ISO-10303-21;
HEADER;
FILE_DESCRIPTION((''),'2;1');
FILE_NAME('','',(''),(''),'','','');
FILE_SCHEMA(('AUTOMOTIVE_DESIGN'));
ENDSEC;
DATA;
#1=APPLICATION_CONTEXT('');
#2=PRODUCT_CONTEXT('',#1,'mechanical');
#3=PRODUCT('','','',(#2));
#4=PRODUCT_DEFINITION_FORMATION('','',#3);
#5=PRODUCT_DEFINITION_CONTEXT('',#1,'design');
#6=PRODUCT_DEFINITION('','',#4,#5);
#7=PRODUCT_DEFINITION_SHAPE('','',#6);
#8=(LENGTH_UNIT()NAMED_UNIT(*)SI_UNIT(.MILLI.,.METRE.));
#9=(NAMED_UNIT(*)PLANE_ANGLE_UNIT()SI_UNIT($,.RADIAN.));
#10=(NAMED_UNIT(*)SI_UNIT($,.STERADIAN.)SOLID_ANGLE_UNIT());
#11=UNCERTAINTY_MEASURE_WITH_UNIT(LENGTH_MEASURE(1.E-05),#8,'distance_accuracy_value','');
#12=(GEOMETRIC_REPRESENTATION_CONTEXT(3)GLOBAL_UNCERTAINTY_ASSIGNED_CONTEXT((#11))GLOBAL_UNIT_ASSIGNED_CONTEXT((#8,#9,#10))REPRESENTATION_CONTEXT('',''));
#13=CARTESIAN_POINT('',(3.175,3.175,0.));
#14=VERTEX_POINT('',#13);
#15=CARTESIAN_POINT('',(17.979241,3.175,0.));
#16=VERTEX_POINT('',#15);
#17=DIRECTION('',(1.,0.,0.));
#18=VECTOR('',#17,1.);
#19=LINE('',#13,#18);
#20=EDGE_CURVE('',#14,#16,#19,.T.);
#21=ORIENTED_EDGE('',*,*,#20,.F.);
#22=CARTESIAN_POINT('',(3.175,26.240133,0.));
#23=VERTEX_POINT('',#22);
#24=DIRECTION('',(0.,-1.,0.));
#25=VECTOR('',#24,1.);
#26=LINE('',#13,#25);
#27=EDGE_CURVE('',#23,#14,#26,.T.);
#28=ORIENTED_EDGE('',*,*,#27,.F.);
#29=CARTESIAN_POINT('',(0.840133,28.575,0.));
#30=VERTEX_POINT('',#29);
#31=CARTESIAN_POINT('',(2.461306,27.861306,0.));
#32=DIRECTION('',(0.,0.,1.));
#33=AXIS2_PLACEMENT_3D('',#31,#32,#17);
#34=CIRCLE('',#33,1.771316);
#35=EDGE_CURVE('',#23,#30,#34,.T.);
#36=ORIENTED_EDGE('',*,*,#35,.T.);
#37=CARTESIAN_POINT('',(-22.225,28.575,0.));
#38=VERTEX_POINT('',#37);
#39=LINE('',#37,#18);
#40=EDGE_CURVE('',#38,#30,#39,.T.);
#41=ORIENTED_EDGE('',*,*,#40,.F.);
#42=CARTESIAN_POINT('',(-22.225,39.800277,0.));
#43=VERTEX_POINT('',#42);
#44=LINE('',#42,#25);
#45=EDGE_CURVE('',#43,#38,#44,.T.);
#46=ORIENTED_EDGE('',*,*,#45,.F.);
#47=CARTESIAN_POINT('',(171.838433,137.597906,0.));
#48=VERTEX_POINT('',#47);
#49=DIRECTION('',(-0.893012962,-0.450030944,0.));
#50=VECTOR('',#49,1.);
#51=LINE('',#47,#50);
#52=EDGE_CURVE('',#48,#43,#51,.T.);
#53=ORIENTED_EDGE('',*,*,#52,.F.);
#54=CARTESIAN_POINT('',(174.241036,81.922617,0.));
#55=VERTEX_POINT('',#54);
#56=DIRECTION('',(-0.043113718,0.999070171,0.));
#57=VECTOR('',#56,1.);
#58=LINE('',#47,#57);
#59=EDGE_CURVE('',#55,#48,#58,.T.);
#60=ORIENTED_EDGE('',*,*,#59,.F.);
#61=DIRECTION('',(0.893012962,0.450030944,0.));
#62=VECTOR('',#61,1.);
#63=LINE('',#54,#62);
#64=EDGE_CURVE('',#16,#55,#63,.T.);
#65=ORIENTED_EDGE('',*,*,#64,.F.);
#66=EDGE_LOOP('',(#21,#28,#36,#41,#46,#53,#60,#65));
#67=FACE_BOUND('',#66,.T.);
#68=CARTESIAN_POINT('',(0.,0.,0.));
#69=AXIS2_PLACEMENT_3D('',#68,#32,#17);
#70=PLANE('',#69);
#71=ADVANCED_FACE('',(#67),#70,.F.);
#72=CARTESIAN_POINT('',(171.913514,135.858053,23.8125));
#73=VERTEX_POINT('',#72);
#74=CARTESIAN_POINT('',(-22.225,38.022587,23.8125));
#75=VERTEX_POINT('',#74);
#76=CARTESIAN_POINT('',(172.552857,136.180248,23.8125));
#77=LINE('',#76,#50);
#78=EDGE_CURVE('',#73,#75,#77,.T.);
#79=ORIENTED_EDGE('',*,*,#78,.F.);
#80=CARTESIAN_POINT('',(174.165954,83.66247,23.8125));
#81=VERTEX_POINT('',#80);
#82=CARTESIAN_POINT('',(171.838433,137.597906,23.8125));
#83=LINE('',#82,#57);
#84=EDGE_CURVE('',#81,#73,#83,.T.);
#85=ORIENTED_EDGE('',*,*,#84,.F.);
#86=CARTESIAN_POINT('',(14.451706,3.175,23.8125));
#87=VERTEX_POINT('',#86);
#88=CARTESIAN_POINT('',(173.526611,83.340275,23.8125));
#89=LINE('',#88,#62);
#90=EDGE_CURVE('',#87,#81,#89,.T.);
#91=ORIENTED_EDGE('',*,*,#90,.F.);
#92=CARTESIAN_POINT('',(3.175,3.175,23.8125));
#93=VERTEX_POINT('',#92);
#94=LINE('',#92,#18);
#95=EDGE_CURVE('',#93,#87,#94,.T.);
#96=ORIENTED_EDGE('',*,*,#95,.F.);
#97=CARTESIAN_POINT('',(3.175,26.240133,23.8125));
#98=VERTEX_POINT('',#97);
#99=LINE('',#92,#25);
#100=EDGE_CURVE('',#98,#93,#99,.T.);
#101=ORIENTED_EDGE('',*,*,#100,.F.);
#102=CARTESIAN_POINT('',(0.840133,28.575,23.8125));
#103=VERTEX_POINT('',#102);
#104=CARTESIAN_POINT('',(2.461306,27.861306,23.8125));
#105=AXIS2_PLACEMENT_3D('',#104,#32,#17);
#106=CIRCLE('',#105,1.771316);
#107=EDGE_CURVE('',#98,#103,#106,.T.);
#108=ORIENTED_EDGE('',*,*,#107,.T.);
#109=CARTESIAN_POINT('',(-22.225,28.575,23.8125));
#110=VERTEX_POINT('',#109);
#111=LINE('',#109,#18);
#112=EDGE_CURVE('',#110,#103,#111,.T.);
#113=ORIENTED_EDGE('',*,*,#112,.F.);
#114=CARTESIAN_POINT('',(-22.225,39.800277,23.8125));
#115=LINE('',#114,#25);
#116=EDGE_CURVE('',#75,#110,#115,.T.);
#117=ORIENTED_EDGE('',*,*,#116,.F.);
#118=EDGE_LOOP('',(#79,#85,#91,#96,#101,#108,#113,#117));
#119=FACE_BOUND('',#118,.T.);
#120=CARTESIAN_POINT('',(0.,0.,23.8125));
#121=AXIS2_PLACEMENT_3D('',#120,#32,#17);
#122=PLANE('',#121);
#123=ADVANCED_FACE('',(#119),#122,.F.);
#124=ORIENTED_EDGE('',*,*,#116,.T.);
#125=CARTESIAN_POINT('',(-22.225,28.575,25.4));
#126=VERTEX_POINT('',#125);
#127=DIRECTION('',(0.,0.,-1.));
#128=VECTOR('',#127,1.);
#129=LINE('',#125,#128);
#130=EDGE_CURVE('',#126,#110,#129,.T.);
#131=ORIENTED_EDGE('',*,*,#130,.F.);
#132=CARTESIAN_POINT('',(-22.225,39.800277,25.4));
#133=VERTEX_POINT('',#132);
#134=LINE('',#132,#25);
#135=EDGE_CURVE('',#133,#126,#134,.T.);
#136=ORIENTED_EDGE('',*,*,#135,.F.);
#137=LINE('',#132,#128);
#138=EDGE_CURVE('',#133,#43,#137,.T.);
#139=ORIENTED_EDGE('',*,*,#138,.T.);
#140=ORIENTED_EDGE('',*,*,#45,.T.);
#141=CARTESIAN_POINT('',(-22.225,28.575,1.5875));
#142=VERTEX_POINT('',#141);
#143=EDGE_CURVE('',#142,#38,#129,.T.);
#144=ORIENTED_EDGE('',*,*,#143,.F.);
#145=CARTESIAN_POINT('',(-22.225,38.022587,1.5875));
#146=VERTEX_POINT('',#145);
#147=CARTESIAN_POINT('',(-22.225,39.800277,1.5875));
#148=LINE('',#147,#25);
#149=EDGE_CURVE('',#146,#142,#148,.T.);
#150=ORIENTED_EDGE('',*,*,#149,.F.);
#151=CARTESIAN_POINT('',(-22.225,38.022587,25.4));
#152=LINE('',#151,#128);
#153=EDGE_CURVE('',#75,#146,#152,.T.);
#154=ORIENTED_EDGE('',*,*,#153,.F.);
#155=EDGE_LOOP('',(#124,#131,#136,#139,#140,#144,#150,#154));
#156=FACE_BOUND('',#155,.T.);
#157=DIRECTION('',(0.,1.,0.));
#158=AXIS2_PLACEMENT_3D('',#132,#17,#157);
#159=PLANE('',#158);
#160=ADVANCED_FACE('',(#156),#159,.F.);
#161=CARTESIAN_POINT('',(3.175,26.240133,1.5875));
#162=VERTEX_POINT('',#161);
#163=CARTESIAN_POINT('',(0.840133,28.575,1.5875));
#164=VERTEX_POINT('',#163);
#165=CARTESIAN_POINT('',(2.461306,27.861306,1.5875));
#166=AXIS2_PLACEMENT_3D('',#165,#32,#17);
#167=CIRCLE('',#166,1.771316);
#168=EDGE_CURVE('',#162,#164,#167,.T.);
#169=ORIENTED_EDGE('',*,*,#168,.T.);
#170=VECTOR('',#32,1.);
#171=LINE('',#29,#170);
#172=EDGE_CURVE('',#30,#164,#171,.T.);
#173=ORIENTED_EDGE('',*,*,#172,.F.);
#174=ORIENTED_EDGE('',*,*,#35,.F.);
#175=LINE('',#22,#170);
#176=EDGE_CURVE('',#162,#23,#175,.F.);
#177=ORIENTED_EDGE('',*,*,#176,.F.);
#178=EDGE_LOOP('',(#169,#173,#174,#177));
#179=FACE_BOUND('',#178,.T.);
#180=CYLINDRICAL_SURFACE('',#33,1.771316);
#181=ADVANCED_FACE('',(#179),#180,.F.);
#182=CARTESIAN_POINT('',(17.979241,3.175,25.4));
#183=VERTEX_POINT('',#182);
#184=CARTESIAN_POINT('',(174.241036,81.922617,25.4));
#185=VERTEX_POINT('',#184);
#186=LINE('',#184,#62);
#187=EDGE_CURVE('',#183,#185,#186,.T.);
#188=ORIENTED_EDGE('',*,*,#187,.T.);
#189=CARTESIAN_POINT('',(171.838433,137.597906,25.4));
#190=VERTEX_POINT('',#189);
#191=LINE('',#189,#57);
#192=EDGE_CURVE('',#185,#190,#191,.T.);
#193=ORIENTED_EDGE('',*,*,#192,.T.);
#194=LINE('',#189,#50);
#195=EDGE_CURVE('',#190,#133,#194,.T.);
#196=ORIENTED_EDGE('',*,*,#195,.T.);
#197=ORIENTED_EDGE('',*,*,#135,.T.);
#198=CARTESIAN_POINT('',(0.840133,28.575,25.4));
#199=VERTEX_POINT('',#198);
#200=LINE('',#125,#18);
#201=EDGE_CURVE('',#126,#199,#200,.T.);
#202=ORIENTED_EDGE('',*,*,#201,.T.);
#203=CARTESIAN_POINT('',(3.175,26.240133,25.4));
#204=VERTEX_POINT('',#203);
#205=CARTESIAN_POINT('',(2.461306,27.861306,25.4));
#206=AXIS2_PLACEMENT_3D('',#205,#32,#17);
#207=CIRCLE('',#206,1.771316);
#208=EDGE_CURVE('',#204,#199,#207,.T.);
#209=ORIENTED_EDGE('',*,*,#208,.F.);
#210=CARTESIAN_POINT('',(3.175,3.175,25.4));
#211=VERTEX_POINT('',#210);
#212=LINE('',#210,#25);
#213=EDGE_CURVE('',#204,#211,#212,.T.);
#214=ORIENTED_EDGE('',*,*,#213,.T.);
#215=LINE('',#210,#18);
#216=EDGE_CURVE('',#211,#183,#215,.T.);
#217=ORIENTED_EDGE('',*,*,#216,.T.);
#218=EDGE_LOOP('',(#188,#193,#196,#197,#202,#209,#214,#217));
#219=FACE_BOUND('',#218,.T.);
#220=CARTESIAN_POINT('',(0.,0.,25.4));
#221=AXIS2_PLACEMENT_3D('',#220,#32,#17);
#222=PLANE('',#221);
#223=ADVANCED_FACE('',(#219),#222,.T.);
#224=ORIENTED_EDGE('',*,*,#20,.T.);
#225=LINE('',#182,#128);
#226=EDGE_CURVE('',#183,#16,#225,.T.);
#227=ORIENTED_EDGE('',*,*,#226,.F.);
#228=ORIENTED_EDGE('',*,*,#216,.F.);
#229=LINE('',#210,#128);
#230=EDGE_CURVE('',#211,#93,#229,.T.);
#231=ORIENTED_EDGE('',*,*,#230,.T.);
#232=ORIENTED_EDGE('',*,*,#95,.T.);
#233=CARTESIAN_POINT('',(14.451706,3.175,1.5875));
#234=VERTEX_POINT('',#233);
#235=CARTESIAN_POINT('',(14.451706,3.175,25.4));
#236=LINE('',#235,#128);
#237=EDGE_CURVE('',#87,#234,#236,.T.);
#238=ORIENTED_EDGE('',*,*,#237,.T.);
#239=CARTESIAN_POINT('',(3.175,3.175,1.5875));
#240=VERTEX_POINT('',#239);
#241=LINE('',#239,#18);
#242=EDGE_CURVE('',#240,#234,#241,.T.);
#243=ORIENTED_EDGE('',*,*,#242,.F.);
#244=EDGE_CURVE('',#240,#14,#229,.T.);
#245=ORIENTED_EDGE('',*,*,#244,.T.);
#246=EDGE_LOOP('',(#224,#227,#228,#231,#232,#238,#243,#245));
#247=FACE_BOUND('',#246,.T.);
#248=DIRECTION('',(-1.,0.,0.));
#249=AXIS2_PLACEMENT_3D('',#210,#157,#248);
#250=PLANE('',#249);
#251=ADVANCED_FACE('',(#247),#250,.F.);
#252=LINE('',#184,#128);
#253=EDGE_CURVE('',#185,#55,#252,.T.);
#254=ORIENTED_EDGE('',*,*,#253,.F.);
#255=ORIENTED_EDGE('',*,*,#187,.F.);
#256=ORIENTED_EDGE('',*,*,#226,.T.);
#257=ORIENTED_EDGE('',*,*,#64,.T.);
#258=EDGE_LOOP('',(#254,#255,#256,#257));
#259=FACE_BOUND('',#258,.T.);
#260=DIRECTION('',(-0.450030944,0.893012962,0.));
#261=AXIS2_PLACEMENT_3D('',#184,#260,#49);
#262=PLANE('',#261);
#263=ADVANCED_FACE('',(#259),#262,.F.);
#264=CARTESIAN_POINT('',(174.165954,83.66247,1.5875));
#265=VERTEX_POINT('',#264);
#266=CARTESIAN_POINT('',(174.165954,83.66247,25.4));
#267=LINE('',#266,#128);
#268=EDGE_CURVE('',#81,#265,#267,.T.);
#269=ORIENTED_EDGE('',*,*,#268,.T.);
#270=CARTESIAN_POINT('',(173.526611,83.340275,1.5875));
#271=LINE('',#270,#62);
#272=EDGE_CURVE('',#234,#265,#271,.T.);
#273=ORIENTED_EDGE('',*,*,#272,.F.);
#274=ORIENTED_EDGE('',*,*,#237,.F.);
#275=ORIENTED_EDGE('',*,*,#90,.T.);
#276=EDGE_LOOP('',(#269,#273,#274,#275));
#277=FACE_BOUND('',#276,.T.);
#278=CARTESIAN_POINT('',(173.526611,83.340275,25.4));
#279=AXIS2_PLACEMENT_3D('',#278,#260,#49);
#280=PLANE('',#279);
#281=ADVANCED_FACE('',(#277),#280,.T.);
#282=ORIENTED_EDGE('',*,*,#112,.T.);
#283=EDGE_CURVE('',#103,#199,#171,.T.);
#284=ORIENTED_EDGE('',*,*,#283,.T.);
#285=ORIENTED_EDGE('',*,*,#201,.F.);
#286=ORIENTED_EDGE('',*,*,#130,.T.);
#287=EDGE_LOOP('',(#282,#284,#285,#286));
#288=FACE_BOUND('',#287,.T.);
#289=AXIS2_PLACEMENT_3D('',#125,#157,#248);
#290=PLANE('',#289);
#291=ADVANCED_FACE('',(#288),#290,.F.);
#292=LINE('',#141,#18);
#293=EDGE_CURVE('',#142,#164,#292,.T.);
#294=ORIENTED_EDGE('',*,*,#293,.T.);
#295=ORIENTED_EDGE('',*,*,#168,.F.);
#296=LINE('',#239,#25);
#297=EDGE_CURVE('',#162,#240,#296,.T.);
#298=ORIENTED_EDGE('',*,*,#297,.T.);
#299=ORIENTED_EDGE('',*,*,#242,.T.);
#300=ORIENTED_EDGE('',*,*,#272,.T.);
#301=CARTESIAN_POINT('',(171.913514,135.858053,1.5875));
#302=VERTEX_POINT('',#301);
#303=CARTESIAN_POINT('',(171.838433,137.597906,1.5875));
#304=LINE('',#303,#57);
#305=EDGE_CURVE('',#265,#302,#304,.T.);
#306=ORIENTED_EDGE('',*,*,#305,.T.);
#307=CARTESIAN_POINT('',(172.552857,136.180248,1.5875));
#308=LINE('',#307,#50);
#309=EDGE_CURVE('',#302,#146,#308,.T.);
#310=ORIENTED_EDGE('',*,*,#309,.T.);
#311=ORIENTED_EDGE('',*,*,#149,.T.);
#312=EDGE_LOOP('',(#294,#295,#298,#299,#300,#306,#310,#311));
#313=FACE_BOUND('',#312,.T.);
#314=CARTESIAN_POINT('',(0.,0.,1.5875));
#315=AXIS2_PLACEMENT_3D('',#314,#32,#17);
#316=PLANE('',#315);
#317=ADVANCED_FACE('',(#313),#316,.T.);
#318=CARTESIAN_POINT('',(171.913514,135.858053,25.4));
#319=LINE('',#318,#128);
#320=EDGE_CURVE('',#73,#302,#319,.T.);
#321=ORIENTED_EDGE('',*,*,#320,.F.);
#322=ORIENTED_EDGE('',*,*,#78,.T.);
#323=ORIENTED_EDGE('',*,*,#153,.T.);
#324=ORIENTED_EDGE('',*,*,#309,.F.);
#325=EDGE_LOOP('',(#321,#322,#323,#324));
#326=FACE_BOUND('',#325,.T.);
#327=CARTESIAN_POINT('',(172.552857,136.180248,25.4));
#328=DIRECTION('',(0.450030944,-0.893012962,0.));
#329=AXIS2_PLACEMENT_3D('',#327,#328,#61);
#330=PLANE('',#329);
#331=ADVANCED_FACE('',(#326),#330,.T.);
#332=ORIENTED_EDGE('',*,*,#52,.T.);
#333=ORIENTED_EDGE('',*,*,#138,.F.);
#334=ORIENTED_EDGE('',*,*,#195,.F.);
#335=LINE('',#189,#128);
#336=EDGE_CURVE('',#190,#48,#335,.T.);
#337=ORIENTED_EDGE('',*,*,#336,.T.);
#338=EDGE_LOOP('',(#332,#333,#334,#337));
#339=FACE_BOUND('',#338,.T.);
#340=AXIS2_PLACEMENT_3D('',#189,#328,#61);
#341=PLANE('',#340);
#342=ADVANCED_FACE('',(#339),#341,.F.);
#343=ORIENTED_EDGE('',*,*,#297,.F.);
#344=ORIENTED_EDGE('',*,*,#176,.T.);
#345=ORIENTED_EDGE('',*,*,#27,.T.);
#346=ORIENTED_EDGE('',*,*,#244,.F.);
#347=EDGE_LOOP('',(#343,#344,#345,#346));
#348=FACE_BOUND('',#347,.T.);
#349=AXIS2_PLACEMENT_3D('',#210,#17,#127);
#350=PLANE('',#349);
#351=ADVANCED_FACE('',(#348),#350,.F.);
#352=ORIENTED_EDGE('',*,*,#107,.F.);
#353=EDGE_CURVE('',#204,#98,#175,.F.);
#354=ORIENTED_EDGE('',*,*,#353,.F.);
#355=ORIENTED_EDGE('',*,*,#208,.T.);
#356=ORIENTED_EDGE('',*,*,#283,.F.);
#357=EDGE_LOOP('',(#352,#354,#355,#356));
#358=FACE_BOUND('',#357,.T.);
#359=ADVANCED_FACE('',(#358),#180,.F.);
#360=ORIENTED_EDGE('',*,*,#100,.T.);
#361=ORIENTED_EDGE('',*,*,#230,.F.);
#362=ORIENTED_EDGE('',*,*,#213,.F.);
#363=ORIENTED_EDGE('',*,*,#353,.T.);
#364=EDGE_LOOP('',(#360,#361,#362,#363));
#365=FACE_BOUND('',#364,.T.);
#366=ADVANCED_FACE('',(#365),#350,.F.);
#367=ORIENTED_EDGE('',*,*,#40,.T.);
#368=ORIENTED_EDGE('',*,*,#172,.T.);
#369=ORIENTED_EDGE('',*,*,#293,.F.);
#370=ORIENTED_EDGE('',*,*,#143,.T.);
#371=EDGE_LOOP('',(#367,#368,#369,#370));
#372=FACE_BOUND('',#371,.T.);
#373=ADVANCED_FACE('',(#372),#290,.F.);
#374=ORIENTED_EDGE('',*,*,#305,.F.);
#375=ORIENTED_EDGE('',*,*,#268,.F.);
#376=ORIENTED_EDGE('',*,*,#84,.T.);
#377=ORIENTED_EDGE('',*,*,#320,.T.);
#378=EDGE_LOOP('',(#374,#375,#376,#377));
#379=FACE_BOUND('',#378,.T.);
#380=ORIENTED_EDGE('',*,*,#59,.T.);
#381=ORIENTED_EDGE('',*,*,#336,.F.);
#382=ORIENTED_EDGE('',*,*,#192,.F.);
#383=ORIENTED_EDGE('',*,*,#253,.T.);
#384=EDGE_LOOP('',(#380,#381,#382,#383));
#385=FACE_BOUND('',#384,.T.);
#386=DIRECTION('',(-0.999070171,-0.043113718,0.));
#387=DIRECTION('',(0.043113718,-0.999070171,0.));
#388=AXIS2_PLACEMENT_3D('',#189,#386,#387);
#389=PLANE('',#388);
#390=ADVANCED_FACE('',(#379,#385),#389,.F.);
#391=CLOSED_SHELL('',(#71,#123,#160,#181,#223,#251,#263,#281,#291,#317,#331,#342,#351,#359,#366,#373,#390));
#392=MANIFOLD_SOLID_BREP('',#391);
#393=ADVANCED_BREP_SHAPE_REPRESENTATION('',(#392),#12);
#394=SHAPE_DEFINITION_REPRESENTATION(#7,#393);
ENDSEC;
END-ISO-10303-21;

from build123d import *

# Parameters (mm, degrees)
BOSS_EXTRUDE1_DEPTH = 25.4
SHELL1_T            = -1.5875
SKETCH2_R           = 1.771315789
CUT_EXTRUDE1_DEPTH  = 224.468749705


with BuildPart() as part:
    # Sketch1 → Boss-Extrude1 (new body)
    with BuildSketch(Plane.XY):
        Polygon((171.8384328, 137.597905652), (-22.225, 39.800277228), (-22.225, 28.575), (3.175, 28.575), (3.175, 3.175), (17.979241427, 3.175), (174.241035508, 81.922616972), align=None)
    extrude(amount=BOSS_EXTRUDE1_DEPTH)

    # Shell1
    shell1_openings = [part.faces().sort_by_distance(p)[0] for p in [
        (10.577120713, 3.175, 12.7),
        (3.175, 15.875, 12.7),
        (-9.525, 28.575, 12.7),
        (-22.225, 34.187638614, 12.7),
        (173.039734154, 109.760261312, 12.7),
    ]]
    offset(amount=SHELL1_T, openings=shell1_openings, kind=Kind.INTERSECTION)

    # Sketch2 → Cut-Extrude1 (cut, through all)
    with BuildSketch(Plane.XY.offset(25.4)):
        with Locations((2.461305961, 27.861305961)):
            Circle(SKETCH2_R)
    extrude(amount=-CUT_EXTRUDE1_DEPTH, mode=Mode.SUBTRACT)


solid = part.part
